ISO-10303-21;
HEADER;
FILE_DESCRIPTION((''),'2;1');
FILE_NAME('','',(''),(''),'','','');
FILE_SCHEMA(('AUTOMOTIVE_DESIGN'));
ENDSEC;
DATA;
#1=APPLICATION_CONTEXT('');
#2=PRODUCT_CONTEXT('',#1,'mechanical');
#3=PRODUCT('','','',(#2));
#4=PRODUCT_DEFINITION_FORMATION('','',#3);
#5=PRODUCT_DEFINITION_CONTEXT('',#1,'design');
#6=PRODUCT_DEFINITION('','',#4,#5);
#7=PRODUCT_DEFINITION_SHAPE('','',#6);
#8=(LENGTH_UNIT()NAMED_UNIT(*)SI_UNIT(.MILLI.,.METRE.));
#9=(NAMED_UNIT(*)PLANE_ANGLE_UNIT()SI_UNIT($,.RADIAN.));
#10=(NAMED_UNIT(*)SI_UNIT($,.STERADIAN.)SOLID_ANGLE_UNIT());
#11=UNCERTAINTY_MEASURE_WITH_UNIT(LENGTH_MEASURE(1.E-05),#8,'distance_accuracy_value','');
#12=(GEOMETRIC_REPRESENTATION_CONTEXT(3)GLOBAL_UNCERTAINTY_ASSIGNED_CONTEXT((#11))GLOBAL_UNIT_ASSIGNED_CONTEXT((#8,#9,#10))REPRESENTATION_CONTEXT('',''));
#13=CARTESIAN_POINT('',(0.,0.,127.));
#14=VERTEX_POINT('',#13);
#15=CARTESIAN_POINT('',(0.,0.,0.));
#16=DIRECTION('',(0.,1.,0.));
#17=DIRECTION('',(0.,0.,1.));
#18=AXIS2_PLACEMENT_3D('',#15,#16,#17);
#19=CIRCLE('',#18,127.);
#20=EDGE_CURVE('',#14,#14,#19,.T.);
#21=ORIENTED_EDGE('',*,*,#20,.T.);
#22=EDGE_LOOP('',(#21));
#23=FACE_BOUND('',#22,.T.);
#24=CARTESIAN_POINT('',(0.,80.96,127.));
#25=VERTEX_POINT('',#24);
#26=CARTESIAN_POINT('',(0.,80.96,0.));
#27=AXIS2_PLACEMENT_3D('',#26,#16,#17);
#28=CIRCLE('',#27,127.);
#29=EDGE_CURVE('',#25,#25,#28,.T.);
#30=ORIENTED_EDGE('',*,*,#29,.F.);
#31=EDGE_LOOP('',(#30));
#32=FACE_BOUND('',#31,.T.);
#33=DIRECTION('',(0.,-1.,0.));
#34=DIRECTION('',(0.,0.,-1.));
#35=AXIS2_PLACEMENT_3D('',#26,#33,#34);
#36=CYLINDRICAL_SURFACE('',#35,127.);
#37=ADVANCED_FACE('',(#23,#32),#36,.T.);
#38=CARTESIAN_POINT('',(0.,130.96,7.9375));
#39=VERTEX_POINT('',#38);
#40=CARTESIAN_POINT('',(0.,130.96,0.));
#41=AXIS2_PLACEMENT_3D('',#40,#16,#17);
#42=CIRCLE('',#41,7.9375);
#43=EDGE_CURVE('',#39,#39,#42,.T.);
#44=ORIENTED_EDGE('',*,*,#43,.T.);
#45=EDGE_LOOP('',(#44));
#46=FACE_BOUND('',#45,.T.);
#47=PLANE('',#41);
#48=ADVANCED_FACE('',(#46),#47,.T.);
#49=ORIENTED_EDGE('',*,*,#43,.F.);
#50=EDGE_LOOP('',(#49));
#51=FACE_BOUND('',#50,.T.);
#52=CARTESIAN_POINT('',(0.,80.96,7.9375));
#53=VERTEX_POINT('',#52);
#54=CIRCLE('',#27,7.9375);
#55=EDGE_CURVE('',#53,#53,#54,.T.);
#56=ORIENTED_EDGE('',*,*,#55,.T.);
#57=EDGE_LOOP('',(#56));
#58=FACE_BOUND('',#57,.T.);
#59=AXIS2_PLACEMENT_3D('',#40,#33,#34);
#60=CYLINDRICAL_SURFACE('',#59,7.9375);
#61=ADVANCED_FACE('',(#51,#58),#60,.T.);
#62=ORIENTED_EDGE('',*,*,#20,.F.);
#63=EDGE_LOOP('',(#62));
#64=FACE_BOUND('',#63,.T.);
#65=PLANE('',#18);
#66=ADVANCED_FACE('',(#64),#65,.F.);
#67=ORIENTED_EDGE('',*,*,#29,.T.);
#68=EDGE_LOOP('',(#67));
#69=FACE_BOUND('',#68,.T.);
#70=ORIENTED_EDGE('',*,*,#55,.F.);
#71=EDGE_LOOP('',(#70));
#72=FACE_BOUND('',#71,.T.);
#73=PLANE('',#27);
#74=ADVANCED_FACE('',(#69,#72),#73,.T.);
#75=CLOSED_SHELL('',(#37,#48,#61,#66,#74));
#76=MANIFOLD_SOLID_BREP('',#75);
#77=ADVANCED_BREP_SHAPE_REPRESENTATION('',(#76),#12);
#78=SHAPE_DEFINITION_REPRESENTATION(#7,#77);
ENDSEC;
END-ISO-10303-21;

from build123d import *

# Parameters (mm, degrees)
SKETCH1_R           = 127
BOSS_EXTRUDE1_DEPTH = 80.96
SKETCH2_R           = 7.9375
BOSS_EXTRUDE2_DEPTH = 50


with BuildPart() as part:
    # Sketch1 → Boss-Extrude1 (new body)
    with BuildSketch(Plane(origin=(0, 0, 0), x_dir=(1, 0, 0), z_dir=(0, 1, 0))):
        Circle(SKETCH1_R)
    extrude(amount=BOSS_EXTRUDE1_DEPTH)

    # Sketch2 → Boss-Extrude2 (add)
    with BuildSketch(Plane(origin=(0, 80.96, 0), x_dir=(1, 0, 0), z_dir=(0, 1, 0))):
        Circle(SKETCH2_R)
    extrude(amount=BOSS_EXTRUDE2_DEPTH)


solid = part.part
